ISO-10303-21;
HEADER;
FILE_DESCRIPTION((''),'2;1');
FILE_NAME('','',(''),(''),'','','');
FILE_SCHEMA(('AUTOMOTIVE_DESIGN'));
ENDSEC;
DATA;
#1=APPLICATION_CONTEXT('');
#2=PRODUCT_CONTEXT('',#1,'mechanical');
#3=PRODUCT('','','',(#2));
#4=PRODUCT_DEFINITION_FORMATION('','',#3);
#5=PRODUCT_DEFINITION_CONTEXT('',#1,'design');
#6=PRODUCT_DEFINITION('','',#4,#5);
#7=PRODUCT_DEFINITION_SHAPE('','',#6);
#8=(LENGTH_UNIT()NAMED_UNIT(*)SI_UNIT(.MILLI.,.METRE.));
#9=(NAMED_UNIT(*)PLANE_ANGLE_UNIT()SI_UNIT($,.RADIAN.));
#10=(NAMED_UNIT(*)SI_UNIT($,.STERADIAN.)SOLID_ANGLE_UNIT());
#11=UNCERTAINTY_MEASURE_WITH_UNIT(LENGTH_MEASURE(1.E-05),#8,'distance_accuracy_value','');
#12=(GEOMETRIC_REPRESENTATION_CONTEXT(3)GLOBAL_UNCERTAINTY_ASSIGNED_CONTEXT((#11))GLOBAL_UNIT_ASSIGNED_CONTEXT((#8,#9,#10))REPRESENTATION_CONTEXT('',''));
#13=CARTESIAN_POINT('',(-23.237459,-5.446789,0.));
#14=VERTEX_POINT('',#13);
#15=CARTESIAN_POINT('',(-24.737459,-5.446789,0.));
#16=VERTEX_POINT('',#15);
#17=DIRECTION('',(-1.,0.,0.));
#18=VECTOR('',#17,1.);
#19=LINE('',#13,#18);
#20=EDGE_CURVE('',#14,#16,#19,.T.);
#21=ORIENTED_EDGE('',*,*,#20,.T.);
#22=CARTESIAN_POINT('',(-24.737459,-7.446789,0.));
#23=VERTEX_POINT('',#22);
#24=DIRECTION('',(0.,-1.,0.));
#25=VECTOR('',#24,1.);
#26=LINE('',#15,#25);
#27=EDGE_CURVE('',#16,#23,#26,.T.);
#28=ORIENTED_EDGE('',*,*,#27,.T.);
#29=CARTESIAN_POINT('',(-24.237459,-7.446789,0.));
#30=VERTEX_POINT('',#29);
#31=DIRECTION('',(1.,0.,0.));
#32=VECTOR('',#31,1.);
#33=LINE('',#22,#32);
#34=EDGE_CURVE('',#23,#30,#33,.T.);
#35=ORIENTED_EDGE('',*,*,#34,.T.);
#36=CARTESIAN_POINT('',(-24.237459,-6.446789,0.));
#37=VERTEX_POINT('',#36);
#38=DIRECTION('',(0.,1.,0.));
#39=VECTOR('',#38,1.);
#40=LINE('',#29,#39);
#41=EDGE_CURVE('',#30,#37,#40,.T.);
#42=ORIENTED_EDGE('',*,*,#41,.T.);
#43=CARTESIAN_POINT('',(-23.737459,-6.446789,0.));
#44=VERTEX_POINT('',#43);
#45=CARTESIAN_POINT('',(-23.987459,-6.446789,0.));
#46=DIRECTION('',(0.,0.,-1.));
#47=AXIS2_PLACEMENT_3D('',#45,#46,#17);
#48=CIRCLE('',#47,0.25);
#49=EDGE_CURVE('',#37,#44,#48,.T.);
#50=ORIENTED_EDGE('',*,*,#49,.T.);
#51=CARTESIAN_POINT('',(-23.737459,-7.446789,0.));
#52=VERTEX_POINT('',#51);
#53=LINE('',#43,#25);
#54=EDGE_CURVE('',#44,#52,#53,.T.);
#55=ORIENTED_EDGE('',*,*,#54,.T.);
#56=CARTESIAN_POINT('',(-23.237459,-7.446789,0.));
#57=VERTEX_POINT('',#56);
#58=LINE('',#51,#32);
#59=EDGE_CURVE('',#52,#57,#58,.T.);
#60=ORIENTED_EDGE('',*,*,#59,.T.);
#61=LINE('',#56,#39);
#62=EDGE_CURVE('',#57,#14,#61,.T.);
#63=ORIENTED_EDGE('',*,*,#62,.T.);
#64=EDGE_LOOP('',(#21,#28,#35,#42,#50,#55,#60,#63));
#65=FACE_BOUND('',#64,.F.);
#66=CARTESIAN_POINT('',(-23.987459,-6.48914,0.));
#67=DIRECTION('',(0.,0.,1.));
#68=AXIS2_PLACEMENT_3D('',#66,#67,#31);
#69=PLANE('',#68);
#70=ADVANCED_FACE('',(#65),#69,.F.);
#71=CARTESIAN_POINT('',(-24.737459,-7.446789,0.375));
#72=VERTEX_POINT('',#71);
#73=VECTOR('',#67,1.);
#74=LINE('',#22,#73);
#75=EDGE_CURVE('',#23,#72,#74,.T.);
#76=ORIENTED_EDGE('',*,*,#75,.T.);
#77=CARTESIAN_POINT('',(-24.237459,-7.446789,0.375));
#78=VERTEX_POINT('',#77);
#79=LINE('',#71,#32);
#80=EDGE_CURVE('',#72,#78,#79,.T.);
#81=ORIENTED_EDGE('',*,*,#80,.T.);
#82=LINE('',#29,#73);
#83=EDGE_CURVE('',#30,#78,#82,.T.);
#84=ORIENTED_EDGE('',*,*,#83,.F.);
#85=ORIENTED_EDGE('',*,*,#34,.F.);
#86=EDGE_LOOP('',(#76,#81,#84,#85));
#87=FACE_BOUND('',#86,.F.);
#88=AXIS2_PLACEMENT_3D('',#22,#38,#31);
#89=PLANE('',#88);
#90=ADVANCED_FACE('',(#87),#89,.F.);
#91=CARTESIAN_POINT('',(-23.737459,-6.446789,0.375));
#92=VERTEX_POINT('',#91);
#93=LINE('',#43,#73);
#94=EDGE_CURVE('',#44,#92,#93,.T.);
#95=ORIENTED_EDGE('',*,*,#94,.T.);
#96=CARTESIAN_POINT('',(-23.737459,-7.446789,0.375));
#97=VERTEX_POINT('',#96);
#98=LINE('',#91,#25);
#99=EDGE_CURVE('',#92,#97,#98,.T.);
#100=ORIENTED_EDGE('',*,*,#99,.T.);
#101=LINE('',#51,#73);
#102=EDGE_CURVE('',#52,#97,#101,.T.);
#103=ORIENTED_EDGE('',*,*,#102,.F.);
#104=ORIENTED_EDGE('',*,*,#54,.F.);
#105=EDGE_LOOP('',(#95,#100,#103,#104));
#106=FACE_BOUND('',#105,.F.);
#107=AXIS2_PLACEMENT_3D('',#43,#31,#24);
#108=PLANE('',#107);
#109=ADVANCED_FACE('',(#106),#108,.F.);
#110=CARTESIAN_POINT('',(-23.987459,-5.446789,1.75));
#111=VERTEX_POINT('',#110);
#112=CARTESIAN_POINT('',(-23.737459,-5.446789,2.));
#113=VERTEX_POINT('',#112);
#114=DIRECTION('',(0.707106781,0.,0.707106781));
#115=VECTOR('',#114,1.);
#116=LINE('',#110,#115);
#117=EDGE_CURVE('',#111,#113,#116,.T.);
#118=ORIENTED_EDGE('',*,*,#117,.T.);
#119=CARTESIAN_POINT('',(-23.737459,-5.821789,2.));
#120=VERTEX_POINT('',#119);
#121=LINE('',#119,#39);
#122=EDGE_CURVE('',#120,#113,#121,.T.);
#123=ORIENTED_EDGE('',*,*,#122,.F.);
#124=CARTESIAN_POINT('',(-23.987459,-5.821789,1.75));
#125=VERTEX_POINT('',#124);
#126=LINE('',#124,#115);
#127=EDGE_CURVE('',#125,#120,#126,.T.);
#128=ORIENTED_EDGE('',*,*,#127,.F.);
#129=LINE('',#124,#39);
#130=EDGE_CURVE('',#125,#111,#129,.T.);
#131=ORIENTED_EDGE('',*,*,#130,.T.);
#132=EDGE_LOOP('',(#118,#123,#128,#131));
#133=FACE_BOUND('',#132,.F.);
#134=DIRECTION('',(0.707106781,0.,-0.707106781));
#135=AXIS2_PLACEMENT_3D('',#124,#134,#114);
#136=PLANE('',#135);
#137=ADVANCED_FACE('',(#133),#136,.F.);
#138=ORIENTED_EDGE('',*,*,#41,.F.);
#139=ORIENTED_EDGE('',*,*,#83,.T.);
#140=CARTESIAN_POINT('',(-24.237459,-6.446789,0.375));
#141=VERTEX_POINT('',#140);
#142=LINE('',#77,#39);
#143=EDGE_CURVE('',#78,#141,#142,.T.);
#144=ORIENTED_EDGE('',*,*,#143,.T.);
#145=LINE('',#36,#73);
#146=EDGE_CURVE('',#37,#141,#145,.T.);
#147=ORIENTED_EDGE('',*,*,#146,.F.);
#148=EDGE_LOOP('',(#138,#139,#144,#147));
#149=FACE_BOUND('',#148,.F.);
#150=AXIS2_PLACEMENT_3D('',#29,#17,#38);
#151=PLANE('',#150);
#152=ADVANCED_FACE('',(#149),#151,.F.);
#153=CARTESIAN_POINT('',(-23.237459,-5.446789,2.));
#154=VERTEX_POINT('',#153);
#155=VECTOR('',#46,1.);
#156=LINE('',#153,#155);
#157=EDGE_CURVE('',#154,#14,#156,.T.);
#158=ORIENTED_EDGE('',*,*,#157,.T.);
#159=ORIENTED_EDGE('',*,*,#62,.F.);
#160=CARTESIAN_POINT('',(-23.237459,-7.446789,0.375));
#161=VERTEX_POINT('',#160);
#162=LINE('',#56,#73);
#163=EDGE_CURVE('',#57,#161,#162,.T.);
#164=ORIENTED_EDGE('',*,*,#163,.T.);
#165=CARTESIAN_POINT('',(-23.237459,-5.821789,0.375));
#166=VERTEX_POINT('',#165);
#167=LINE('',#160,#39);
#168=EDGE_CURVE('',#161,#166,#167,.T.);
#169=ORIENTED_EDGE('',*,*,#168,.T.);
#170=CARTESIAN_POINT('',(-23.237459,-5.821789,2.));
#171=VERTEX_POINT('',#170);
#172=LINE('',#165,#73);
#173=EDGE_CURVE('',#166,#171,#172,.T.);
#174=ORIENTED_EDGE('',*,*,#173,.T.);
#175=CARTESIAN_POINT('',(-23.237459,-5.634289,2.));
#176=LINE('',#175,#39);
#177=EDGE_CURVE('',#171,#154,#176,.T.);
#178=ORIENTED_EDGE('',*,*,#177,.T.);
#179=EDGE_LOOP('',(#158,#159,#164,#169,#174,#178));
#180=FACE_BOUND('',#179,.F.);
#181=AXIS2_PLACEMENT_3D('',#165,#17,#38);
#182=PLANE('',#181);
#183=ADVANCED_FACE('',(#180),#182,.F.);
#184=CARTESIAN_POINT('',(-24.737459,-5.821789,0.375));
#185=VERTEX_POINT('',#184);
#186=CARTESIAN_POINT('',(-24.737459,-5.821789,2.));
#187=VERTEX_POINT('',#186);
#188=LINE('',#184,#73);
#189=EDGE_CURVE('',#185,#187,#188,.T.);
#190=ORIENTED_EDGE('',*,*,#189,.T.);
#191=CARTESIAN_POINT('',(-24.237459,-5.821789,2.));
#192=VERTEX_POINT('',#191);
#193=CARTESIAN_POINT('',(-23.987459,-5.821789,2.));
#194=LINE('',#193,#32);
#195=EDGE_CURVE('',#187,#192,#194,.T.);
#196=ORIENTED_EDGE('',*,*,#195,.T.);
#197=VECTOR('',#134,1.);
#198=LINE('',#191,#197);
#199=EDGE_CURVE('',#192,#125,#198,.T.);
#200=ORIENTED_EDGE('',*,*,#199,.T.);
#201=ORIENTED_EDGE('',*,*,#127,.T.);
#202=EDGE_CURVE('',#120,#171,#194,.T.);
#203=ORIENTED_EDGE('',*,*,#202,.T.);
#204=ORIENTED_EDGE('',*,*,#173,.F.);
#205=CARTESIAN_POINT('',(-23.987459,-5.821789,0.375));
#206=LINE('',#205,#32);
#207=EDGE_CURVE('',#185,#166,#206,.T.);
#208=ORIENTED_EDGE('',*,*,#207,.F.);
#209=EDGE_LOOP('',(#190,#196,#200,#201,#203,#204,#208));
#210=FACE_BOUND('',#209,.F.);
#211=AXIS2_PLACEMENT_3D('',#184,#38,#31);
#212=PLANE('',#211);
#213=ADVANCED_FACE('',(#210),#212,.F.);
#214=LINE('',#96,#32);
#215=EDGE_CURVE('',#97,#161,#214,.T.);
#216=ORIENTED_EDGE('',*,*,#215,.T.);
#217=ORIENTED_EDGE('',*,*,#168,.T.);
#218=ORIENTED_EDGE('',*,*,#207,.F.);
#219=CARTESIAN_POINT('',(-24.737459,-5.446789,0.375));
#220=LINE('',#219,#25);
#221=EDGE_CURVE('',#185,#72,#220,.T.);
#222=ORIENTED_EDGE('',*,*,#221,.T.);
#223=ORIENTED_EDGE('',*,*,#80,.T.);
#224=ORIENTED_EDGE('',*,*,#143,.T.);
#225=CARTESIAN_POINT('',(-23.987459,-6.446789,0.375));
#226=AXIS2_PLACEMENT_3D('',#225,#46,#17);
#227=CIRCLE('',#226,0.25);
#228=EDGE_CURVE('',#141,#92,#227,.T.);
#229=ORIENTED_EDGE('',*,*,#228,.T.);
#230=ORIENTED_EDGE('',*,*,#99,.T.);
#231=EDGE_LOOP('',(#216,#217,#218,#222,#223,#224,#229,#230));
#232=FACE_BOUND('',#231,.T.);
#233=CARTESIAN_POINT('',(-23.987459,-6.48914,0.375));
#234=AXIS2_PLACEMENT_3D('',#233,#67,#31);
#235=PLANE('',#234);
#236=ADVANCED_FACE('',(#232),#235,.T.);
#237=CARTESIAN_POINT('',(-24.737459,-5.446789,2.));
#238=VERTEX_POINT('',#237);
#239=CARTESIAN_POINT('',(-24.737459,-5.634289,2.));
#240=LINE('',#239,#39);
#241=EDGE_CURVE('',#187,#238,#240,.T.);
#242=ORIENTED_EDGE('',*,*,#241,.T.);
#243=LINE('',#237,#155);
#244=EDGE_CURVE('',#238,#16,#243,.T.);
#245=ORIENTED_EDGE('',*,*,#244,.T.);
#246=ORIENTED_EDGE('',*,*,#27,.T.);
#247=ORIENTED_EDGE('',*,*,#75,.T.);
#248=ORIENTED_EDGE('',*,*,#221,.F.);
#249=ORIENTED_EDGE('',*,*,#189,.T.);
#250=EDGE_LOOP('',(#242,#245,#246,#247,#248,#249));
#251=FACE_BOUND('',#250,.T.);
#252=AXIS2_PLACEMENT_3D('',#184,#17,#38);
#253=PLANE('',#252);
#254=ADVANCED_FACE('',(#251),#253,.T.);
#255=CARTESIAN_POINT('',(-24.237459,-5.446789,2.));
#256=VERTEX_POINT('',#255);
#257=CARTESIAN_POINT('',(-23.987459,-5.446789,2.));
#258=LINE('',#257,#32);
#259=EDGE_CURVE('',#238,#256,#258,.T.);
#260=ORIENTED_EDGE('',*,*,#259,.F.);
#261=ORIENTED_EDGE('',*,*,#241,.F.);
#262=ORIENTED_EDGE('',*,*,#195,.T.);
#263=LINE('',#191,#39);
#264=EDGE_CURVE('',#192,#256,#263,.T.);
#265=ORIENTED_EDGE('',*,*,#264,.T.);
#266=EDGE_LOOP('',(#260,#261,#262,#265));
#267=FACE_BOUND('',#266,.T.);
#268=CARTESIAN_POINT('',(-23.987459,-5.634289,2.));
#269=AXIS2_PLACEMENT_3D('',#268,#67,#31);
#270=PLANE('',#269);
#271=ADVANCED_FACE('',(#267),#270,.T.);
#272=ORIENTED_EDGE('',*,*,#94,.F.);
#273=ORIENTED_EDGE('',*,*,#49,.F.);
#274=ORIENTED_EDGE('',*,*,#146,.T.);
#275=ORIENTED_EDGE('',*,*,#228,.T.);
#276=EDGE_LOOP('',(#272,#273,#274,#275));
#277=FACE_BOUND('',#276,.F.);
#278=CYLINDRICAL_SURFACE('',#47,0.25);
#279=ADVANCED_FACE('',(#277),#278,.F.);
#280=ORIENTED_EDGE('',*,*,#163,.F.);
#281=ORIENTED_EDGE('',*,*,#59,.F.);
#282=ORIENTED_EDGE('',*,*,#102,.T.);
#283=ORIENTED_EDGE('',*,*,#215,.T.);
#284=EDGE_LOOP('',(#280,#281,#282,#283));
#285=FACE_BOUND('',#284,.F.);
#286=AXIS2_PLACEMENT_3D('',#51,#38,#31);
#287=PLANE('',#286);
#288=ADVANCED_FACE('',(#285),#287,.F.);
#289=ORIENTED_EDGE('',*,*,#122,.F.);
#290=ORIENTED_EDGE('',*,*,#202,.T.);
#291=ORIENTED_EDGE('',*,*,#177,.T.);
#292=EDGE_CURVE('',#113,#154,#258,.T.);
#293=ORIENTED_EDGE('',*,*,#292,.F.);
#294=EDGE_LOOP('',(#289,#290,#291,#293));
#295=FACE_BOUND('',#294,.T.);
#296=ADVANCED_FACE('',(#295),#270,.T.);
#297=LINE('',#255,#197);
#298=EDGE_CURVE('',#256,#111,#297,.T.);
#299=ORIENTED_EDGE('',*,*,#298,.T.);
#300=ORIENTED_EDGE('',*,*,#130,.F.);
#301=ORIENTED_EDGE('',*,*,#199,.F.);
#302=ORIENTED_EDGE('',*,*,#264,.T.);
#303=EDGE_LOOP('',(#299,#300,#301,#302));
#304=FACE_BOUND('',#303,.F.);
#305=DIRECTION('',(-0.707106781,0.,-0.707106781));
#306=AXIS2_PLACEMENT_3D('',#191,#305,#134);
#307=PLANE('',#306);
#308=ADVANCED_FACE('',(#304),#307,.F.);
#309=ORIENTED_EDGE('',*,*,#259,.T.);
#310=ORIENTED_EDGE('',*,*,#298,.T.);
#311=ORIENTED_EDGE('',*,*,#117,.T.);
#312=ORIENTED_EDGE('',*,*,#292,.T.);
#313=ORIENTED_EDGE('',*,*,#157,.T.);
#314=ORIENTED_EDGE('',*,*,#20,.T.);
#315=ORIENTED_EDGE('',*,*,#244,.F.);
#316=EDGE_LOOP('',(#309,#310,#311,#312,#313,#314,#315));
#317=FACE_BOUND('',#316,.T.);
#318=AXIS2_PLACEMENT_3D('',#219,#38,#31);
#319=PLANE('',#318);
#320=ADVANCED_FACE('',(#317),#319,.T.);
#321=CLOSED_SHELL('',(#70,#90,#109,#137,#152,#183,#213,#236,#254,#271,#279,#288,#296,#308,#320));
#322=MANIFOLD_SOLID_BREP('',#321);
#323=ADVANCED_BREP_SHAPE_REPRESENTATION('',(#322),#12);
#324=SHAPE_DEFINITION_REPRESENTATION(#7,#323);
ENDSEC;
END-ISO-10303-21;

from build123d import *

# Parameters (mm, degrees)
F1_DEPTH = 0.375
F2_W     = 1.5
F2_H     = 0.375
F3_DEPTH = 1.625
F5_DEPTH = 0.375


with BuildPart() as f1:
    # F0 (on Top) → F1 (new body)
    with BuildSketch(Plane.XY):
        with BuildLine():
            Line((-23.237459, -5.446789), (-24.737459, -5.446789))
            Line((-24.737459, -5.446789), (-24.737459, -7.446789))
            Line((-24.737459, -7.446789), (-24.237459, -7.446789))
            Line((-24.237459, -7.446789), (-24.237459, -6.446789))
            ThreePointArc((-24.237459, -6.446789), (-23.987459, -6.196789), (-23.737459, -6.446789))
            Line((-23.737459, -6.446789), (-23.737459, -7.446789))
            Line((-23.737459, -7.446789), (-23.237459, -7.446789))
            Line((-23.237459, -7.446789), (-23.237459, -5.446789))
        make_face()
    extrude(amount=F1_DEPTH)

    # F2 (on face) → F3 (join)
    with BuildSketch(Plane.XY.offset(0.375)):
        with Locations((-23.987459, -5.634289)):
            Rectangle(F2_W, F2_H)
    extrude(amount=F3_DEPTH)

    # F4 (on face) → F5 (cut, through all)
    with BuildSketch(Plane.XZ.offset(5.821789)):
        Polygon((-23.737459, 2), (-24.237459, 2), (-23.987459, 1.75), align=None)
    extrude(amount=-F5_DEPTH, mode=Mode.SUBTRACT)


solid = f1.part
